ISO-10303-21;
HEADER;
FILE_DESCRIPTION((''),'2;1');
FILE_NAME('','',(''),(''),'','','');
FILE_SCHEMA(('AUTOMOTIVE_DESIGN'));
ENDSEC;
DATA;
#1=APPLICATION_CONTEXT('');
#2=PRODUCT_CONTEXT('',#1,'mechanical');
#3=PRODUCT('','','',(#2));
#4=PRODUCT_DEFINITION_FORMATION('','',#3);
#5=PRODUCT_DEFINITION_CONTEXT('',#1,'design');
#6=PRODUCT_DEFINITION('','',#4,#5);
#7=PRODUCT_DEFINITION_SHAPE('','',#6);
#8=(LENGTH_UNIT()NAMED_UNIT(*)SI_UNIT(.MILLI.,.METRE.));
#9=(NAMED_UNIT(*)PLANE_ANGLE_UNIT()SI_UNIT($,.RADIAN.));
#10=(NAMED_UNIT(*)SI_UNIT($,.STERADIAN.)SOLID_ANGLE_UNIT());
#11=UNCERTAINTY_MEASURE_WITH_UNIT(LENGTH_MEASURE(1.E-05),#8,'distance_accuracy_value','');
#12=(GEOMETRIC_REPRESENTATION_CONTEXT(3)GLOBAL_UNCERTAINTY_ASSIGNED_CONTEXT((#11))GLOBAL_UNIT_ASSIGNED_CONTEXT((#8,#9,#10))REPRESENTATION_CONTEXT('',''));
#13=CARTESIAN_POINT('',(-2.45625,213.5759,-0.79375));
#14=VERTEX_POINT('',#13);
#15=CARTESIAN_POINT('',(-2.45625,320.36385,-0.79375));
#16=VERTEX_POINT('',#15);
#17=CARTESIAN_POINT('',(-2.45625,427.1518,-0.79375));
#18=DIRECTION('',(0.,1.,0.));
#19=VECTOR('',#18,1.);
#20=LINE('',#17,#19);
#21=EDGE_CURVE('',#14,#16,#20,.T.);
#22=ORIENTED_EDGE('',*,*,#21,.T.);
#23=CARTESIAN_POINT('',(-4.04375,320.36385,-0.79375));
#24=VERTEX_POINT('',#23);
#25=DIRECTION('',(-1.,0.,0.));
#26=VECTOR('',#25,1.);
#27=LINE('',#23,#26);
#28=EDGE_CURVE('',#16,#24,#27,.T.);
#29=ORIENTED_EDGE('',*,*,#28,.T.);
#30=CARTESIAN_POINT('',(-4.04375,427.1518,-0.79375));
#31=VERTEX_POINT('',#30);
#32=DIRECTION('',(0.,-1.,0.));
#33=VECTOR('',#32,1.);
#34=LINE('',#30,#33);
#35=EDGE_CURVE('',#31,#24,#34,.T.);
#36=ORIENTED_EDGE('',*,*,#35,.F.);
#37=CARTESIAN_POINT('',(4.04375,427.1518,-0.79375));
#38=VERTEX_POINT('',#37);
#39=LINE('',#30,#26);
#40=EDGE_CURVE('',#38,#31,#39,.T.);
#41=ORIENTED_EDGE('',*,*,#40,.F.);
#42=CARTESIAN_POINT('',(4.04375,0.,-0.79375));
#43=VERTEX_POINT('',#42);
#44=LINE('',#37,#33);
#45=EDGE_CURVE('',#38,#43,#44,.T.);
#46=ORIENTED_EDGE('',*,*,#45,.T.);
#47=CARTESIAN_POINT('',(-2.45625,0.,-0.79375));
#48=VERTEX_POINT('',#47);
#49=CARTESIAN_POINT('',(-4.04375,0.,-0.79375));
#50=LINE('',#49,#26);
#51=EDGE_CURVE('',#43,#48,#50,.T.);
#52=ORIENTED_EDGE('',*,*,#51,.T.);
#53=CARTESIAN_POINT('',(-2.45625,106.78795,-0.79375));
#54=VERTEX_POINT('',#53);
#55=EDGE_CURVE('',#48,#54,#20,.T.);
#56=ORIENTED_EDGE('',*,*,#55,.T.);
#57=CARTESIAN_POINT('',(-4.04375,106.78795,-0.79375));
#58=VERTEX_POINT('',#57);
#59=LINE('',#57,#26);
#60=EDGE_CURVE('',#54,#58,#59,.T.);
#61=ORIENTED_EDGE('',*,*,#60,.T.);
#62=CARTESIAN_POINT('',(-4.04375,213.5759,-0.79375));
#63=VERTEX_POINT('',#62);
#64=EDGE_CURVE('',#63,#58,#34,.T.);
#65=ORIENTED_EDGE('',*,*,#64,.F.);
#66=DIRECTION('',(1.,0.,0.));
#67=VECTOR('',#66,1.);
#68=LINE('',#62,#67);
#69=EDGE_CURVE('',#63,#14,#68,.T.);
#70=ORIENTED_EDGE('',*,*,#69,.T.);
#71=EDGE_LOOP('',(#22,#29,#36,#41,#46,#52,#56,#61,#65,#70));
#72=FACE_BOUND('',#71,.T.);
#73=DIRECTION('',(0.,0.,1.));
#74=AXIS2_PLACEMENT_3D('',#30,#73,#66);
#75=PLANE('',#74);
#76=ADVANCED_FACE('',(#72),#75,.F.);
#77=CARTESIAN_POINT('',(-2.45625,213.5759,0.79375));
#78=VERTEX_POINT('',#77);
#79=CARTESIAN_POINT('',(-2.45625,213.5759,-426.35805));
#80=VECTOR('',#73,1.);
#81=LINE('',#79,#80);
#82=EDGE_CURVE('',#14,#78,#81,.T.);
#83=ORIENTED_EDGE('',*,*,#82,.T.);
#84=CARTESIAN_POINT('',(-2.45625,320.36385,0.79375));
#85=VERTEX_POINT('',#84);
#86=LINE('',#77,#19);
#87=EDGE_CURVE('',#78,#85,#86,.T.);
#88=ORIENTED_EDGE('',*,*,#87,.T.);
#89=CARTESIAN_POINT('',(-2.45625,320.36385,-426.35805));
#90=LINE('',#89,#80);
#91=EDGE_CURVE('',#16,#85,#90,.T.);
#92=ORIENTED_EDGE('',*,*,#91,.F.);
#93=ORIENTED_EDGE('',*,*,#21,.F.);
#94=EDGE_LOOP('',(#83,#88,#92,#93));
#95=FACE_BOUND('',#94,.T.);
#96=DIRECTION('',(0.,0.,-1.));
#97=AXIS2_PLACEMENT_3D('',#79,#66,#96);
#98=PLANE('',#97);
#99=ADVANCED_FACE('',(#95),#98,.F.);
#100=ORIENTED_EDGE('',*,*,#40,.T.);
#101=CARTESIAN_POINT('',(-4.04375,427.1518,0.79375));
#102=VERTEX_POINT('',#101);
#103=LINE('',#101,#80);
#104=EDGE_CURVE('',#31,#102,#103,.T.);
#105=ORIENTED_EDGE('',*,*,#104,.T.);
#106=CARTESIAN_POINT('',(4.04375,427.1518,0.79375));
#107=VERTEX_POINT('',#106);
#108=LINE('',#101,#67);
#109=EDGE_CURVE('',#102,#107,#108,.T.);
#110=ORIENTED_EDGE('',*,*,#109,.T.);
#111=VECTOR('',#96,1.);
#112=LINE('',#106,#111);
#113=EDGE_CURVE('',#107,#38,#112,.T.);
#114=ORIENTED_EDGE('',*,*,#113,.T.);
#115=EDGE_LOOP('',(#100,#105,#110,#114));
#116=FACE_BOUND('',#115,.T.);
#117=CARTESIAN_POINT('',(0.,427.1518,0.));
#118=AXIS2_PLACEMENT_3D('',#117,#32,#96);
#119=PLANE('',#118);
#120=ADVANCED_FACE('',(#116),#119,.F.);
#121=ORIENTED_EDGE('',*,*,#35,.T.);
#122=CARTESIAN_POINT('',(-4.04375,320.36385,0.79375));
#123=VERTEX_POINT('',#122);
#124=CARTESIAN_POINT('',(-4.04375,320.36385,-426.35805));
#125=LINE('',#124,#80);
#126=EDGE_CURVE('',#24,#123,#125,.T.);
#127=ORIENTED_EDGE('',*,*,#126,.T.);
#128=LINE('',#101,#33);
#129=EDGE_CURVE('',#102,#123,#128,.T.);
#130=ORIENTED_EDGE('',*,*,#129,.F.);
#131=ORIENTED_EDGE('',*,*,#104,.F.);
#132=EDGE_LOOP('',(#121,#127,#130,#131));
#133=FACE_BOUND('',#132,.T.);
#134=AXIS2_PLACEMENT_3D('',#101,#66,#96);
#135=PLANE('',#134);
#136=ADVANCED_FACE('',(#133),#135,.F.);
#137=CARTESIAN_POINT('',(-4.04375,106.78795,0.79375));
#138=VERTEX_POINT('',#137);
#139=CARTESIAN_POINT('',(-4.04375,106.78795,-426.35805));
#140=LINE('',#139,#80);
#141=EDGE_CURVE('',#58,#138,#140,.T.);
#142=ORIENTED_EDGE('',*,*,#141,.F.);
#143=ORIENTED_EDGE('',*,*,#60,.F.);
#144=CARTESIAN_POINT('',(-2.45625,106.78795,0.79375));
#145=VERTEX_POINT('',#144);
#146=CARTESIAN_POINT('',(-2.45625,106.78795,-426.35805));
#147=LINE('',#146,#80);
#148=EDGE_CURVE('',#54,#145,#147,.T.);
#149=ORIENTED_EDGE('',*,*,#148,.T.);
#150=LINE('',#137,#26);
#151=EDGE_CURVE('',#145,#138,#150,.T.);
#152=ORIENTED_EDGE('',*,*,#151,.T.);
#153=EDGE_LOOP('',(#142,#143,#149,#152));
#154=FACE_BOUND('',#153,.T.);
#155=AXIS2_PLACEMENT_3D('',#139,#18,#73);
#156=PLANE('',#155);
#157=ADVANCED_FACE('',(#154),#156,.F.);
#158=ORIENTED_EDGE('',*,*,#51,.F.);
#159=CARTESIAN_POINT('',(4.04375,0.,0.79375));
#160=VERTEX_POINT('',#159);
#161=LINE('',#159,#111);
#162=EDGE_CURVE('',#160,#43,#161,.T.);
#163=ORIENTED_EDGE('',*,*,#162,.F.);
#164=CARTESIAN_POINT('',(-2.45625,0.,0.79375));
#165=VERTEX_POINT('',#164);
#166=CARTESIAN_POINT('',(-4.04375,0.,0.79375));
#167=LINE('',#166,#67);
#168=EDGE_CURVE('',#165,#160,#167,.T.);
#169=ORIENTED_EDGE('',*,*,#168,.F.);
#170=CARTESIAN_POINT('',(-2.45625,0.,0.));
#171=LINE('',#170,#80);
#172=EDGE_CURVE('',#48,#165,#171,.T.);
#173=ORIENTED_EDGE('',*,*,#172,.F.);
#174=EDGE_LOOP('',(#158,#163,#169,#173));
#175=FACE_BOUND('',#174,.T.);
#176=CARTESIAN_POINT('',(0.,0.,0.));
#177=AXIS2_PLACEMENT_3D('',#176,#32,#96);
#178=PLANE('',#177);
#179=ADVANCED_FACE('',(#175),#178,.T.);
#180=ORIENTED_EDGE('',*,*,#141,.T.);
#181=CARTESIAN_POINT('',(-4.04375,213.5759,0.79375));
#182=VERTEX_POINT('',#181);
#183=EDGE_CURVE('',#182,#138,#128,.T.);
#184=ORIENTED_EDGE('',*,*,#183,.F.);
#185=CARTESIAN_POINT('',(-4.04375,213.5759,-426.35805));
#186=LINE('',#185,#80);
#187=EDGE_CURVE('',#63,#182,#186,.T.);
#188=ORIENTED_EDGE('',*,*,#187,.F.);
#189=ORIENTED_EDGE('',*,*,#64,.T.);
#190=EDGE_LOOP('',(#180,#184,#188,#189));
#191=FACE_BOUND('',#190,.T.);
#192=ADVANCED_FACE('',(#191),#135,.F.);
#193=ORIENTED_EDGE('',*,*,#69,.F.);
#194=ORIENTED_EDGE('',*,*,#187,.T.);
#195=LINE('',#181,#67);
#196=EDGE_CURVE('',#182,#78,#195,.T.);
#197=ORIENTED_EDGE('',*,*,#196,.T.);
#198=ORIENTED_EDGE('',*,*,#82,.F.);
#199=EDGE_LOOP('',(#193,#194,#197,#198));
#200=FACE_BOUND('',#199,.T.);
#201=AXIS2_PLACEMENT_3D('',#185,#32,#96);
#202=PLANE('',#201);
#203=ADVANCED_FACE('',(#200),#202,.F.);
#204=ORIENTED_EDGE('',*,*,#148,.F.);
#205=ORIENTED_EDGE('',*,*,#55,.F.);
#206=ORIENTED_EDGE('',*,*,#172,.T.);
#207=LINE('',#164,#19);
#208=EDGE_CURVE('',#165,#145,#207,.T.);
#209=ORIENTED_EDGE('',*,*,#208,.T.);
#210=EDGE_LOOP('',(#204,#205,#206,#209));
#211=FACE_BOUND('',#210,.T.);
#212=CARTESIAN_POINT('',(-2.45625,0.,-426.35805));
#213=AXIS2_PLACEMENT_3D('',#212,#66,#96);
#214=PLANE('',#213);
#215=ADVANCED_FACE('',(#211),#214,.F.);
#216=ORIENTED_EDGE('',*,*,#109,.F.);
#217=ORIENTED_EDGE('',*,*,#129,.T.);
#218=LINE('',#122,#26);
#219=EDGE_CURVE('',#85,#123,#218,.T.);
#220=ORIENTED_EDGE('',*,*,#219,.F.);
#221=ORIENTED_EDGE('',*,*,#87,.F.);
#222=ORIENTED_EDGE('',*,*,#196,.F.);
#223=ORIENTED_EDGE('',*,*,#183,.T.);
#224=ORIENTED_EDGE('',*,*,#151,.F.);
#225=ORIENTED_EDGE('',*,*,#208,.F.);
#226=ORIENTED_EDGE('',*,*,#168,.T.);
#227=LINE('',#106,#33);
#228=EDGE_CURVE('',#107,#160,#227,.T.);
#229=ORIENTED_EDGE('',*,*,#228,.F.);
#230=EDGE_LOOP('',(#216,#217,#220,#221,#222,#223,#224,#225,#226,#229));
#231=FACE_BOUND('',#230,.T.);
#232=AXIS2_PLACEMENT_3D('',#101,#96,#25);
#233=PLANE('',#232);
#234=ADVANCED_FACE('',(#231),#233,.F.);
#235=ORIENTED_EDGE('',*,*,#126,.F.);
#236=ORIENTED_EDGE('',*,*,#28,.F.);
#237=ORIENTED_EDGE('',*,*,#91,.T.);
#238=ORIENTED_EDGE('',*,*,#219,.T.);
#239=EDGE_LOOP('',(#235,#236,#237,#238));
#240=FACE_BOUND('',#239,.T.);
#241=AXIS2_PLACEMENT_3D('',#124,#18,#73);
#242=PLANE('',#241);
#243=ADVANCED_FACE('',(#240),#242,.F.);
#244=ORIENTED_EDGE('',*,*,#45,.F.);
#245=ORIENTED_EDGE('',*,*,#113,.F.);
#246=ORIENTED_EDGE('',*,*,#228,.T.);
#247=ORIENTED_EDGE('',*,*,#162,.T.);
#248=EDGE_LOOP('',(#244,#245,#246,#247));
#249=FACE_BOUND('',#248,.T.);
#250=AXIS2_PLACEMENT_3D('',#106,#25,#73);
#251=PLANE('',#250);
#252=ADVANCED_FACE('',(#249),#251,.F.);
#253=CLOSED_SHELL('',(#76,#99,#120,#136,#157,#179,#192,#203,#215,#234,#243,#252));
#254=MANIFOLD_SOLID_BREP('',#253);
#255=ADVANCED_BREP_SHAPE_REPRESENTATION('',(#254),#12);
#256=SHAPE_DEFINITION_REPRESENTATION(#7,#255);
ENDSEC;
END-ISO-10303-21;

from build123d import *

# Parameters (mm, degrees)
SKETCH1_W           = 8.0875
SKETCH1_H           = 1.5875
BOSS_EXTRUDE1_DEPTH = 427.1518
SKETCH2_W           = 1.5875
SKETCH2_H           = 106.78795
CUT_EXTRUDE1_DEPTH  = 427.1518


with BuildPart() as part:
    # Sketch1 → Boss-Extrude1 (new body)
    with BuildSketch(Plane(origin=(0, 0, 0), x_dir=(1, 0, 0), z_dir=(0, 1, 0))):
        Rectangle(SKETCH1_W, SKETCH1_H)
    extrude(amount=BOSS_EXTRUDE1_DEPTH)

    # Sketch2 → Cut-Extrude1 (cut)
    with BuildSketch(Plane.XY.offset(0.79375)):
        with Locations((-3.25, 53.393975)):
            Rectangle(SKETCH2_W, SKETCH2_H)
        with Locations((-3.25, 266.969875)):
            Rectangle(SKETCH2_W, SKETCH2_H)
    extrude(amount=-CUT_EXTRUDE1_DEPTH, mode=Mode.SUBTRACT)


solid = part.part
